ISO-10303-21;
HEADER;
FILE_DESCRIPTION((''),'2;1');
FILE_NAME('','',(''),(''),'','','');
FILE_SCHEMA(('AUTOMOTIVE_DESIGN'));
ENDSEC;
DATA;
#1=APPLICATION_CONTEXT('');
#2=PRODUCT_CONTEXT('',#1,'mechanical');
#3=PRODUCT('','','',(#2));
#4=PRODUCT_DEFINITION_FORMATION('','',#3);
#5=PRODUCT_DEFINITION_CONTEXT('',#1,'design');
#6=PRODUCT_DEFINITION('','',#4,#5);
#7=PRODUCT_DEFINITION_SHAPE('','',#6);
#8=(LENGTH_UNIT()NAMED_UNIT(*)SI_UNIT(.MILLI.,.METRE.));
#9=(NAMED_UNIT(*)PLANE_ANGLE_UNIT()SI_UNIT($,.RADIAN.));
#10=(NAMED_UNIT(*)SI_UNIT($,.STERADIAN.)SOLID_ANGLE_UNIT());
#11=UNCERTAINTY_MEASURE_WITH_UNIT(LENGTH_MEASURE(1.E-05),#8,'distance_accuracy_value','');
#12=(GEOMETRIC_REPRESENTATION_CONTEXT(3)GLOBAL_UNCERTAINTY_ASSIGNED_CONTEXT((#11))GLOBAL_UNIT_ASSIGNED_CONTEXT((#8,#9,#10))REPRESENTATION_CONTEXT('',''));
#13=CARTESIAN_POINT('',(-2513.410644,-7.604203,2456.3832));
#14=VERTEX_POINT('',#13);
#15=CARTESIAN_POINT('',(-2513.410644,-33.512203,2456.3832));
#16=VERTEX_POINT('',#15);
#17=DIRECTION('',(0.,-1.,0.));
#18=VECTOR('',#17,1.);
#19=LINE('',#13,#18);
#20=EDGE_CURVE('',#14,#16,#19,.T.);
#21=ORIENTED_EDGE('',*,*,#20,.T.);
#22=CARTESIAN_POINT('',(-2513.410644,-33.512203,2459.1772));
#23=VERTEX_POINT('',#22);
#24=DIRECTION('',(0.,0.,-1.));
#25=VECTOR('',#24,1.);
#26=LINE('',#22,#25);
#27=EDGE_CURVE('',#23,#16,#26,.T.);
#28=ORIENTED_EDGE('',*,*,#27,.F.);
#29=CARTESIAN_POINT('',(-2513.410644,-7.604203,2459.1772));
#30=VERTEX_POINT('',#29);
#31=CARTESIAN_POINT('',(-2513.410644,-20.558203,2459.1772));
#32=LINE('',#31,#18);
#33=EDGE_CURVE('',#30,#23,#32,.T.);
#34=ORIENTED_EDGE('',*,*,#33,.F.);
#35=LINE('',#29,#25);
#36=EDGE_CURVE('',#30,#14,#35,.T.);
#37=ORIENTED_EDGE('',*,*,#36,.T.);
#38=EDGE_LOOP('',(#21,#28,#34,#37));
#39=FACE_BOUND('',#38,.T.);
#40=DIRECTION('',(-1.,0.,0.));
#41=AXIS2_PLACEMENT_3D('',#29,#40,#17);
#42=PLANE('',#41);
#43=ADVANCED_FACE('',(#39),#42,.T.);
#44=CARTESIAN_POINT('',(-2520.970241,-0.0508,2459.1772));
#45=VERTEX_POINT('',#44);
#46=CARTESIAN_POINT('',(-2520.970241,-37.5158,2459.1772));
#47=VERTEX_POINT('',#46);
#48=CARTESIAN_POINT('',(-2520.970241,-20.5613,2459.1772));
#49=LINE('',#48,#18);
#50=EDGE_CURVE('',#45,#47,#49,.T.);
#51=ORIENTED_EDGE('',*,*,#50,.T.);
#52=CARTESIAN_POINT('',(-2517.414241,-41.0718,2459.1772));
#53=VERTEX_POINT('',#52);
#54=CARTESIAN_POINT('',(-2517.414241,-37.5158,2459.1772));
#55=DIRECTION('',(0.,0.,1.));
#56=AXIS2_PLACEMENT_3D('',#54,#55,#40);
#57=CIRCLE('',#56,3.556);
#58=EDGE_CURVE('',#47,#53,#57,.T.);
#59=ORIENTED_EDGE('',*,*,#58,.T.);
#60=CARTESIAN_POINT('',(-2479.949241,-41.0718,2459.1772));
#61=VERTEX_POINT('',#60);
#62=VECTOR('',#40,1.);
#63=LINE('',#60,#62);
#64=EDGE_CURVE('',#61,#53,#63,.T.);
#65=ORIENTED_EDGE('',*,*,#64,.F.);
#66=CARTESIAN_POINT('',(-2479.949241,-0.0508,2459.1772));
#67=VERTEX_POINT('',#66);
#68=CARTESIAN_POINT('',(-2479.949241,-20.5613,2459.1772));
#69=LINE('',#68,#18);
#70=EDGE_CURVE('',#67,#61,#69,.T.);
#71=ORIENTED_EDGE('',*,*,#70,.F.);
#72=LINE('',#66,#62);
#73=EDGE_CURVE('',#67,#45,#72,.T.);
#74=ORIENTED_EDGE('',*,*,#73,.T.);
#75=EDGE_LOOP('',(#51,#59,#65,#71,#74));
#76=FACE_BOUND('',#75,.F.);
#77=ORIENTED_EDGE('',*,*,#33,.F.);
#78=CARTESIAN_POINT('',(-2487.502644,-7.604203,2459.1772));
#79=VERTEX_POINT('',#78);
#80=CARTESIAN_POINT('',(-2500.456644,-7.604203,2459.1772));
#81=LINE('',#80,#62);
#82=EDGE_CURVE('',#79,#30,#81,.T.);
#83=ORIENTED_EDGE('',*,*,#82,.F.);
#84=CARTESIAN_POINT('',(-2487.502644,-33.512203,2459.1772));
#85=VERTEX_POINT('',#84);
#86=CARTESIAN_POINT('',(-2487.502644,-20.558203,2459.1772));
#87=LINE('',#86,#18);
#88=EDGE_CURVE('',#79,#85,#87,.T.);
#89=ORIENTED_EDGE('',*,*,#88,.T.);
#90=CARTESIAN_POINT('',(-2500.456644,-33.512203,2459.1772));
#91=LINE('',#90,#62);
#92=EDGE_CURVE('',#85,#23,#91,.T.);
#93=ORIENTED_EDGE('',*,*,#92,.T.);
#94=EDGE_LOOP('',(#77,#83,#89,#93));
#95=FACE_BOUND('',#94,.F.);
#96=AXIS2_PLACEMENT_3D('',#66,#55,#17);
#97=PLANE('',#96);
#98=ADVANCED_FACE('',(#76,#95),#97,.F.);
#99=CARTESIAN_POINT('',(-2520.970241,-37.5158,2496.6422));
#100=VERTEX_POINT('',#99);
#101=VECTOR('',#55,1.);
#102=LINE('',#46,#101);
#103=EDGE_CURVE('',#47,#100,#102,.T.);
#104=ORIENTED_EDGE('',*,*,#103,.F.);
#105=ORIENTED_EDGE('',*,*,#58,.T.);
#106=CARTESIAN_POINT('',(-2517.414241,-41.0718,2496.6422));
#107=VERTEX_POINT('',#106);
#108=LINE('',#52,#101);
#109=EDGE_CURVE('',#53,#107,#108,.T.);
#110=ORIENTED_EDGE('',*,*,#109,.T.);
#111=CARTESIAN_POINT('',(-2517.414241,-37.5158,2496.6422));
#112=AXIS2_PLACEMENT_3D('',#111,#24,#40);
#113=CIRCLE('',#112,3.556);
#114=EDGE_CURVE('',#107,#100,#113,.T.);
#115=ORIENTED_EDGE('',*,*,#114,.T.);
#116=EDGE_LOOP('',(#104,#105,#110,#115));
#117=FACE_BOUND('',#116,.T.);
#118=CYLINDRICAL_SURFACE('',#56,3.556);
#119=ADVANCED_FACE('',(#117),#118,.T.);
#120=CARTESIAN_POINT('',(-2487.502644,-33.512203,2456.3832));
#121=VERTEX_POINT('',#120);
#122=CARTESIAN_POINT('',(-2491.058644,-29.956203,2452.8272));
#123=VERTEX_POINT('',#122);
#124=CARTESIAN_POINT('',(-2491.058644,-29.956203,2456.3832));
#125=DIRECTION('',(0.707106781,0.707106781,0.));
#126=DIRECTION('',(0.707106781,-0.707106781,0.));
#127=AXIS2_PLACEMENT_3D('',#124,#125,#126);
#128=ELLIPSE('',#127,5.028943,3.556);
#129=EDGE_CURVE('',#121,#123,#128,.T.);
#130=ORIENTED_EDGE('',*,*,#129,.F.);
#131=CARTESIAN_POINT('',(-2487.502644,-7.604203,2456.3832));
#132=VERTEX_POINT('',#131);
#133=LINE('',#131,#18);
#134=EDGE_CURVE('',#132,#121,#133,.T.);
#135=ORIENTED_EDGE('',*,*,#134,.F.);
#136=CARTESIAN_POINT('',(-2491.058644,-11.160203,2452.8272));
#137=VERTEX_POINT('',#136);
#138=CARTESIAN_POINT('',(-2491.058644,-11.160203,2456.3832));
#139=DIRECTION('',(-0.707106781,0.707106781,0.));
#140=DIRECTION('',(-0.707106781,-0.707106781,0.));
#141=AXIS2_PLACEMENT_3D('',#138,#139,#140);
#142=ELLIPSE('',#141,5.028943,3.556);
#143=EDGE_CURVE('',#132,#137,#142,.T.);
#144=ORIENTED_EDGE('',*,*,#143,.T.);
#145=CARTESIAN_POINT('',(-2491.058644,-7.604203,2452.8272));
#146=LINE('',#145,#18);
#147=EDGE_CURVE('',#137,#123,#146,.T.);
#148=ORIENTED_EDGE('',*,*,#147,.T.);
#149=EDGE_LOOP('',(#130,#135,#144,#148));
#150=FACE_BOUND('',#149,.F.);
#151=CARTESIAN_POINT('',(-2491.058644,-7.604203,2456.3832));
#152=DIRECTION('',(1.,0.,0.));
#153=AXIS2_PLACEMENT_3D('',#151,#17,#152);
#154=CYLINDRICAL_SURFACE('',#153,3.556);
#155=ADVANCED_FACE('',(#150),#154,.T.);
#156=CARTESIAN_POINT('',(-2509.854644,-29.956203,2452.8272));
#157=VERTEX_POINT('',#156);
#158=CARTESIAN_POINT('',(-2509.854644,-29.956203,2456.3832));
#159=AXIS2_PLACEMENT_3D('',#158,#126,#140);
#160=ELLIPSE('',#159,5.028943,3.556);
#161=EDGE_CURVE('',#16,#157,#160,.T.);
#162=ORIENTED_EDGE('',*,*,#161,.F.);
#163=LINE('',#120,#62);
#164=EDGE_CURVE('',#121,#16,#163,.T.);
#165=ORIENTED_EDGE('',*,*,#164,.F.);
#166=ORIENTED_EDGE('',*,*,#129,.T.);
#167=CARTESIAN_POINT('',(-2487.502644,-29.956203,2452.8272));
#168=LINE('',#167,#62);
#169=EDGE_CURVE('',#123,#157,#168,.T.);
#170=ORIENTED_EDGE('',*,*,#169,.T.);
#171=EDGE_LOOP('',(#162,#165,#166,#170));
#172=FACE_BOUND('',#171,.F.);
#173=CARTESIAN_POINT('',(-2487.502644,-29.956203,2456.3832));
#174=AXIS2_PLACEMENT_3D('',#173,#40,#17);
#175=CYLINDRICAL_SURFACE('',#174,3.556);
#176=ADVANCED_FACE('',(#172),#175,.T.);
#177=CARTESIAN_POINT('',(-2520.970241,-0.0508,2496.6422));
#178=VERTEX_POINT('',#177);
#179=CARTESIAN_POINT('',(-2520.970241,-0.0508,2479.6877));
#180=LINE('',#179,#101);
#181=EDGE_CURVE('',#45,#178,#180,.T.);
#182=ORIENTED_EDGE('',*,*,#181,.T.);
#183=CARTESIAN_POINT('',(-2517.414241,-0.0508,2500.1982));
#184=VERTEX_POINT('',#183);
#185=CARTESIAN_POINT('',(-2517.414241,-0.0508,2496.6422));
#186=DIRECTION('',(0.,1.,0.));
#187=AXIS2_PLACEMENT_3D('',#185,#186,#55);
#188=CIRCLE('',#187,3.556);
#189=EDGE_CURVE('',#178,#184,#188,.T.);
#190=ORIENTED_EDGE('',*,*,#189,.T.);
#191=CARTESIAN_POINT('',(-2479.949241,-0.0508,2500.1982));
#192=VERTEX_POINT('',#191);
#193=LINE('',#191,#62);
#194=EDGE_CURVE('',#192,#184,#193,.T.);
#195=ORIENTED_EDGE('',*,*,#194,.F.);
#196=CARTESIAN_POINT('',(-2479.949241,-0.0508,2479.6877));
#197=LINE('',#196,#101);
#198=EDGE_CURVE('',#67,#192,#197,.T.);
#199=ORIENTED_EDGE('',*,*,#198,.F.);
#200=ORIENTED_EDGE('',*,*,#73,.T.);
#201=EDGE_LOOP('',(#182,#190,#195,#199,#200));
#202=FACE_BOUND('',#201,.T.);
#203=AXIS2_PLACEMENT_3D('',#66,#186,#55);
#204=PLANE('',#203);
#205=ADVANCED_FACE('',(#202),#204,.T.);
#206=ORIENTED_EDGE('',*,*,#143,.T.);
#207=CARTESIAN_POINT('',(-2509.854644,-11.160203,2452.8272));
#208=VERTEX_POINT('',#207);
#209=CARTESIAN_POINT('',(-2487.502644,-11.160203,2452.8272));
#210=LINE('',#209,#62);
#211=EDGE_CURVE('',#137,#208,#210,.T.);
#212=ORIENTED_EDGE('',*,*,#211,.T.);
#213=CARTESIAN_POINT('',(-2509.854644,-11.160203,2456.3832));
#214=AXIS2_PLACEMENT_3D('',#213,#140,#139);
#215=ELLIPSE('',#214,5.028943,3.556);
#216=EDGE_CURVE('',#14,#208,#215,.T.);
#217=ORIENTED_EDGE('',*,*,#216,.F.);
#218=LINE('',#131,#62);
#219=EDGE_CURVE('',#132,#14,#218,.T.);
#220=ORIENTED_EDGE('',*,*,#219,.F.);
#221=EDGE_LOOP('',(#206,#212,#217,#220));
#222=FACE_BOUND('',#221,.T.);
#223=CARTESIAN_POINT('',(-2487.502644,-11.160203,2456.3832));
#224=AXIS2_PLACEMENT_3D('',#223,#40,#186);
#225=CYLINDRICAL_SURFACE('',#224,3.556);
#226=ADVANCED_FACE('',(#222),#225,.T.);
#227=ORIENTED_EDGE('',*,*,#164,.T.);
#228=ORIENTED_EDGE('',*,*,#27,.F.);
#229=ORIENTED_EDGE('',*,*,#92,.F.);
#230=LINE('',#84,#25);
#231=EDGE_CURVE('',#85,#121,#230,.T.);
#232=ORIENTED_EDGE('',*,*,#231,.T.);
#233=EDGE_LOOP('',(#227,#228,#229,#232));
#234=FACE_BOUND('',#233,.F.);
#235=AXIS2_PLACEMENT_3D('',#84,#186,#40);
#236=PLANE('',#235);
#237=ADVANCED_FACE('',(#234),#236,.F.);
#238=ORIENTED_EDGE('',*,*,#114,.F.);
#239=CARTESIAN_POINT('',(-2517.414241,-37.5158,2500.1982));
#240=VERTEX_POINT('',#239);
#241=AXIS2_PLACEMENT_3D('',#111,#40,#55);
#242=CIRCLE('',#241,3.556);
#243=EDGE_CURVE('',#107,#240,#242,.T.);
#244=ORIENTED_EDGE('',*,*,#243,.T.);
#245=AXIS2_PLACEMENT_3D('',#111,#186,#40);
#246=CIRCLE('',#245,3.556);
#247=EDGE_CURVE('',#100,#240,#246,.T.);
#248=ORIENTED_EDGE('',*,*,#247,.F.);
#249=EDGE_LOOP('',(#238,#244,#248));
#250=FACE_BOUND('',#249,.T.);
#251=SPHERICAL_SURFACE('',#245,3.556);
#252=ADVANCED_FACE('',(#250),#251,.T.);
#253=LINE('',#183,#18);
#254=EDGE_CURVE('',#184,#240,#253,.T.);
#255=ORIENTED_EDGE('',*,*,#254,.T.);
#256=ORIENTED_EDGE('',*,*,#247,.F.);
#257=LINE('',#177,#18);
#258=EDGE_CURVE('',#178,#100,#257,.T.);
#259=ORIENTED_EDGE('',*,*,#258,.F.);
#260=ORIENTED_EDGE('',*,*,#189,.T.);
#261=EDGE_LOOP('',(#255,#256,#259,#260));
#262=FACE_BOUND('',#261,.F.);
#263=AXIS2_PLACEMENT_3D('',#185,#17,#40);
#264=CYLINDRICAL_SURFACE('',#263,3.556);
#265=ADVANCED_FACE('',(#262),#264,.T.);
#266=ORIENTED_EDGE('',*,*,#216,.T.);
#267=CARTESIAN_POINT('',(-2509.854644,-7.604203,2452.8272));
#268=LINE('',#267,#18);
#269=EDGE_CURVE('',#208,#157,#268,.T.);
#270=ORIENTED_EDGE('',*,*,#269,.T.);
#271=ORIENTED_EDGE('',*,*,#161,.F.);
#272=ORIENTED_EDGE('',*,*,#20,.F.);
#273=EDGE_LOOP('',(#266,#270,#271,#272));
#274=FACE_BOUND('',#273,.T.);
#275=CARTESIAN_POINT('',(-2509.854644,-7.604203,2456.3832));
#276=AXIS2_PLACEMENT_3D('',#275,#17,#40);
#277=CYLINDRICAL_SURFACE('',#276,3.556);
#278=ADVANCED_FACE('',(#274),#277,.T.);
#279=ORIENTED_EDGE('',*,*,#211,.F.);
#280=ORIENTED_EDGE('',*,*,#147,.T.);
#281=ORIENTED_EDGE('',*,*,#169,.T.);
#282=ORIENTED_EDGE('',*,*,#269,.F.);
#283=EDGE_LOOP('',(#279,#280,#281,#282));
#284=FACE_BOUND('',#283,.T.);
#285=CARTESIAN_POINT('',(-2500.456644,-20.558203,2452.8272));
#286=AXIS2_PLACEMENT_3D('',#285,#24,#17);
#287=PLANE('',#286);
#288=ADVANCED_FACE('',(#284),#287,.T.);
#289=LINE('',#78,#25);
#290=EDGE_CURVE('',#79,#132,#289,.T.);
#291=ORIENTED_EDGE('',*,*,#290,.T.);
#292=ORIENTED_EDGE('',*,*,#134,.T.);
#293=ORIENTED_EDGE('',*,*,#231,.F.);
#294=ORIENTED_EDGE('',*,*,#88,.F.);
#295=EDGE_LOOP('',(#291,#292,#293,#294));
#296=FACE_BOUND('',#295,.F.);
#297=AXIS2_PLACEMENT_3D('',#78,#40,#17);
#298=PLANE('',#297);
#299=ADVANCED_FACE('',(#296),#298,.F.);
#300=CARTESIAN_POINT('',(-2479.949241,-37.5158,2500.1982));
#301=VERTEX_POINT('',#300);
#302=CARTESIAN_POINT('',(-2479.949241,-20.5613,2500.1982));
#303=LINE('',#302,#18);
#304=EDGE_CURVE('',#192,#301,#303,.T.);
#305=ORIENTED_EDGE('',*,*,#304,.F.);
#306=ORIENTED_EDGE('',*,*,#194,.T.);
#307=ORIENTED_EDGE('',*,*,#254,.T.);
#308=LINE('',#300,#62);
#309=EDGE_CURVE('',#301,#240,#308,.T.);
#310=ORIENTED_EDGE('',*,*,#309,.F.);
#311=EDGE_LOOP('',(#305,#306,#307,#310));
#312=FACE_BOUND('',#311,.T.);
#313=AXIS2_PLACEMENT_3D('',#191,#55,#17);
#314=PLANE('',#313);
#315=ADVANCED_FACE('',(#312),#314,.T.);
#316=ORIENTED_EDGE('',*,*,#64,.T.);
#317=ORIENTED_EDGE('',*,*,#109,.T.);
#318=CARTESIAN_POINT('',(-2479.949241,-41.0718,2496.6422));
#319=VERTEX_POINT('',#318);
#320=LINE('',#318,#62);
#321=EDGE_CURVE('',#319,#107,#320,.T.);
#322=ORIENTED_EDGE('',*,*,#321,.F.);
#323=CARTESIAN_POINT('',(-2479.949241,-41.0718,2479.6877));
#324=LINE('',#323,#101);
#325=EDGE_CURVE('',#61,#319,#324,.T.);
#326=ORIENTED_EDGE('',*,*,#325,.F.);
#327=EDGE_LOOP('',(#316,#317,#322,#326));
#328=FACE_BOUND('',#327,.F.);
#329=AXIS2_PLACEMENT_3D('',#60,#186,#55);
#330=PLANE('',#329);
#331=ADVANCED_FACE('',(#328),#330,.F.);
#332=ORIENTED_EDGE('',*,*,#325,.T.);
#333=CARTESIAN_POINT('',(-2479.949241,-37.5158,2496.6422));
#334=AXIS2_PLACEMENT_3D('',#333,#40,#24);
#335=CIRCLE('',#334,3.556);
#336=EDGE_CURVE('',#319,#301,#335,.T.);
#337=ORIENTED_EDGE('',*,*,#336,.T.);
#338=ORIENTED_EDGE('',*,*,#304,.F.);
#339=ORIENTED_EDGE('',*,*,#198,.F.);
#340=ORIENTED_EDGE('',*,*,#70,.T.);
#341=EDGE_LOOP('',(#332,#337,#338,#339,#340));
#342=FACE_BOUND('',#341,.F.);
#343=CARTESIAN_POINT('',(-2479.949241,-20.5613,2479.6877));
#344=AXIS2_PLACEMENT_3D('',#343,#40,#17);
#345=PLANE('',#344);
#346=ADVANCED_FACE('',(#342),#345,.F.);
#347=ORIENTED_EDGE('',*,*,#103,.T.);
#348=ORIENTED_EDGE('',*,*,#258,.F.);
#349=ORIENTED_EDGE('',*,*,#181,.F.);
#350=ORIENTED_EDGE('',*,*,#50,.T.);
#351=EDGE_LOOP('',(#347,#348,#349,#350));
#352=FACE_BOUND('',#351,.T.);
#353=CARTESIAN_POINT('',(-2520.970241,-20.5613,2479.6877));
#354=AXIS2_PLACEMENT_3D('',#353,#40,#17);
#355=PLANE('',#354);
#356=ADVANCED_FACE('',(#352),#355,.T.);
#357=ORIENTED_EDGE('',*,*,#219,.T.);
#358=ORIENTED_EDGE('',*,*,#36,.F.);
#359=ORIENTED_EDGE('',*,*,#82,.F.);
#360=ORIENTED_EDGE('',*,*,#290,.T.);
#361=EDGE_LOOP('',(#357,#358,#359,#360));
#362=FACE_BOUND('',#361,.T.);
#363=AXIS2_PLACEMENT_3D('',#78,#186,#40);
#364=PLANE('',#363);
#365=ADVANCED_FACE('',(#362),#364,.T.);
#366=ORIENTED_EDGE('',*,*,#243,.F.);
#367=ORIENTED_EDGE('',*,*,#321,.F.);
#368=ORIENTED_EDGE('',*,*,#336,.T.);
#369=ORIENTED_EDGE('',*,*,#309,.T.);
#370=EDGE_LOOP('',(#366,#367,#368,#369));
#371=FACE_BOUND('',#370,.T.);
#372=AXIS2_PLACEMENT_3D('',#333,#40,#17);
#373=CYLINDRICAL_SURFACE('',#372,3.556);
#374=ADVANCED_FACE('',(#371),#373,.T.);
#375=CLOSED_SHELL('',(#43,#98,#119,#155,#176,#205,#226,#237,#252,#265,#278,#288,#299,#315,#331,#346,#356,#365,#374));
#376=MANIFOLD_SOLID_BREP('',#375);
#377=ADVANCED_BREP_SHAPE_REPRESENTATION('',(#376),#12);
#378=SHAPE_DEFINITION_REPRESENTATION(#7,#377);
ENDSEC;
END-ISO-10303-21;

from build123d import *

# Parameters (mm, degrees)
SKETCH062_W             = 41.021
SKETCH062_H             = 41.021
PAD052_DEPTH            = 41.021
SKETCH061_W             = 25.908
SKETCH061_H             = 25.908
PAD051_DEPTH            = 6.35
FILLET006_R             = 3.556
FILLET007_R             = 3.556
BODY042_PLACEMENT_ANGLE = 90


with BuildPart() as part:
    # Sketch062 → Pad052 (new body)
    with BuildSketch(Plane.XZ):
        with Locations((20.5105, 20.5105)):
            Rectangle(SKETCH062_W, SKETCH062_H)
    extrude(amount=PAD052_DEPTH)

    # Sketch061 (on Face3 of Pad052) → Pad051 (join)
    with BuildSketch(Plane(origin=(0, 0, 0), x_dir=(1, 0, 0), z_dir=(0, 0, -1))):
        with Locations((20.507403, 20.507403)):
            Rectangle(SKETCH061_W, SKETCH061_H)
    extrude(amount=PAD051_DEPTH)

    # Fillet006
    fillet006_edges = [part.edges().sort_by_distance(p)[0] for p in [
        (7.553403, -20.507403, -6.35),
        (20.507403, -33.461403, -6.35),
        (20.507403, -7.553403, -6.35),
        (33.461403, -20.507403, -6.35),
    ]]
    fillet(fillet006_edges, radius=FILLET006_R)

    # Fillet007
    fillet007_edges = [part.edges().sort_by_distance(p)[0] for p in [
        (20.5105, -41.021, 41.021),
        (41.021, -41.021, 20.5105),
        (41.021, -20.5105, 41.021),
    ]]
    fillet(fillet007_edges, radius=FILLET007_R)


with BuildPart() as part_1:
    # Body042 placement: moved
    add(part.part.moved(Location((-2479.949241, -0.0508, 2459.1772))).rotate(Axis((-2479.949241, -0.0508, 2459.1772), (0, 0, -1)), BODY042_PLACEMENT_ANGLE))


solid = part_1.part
